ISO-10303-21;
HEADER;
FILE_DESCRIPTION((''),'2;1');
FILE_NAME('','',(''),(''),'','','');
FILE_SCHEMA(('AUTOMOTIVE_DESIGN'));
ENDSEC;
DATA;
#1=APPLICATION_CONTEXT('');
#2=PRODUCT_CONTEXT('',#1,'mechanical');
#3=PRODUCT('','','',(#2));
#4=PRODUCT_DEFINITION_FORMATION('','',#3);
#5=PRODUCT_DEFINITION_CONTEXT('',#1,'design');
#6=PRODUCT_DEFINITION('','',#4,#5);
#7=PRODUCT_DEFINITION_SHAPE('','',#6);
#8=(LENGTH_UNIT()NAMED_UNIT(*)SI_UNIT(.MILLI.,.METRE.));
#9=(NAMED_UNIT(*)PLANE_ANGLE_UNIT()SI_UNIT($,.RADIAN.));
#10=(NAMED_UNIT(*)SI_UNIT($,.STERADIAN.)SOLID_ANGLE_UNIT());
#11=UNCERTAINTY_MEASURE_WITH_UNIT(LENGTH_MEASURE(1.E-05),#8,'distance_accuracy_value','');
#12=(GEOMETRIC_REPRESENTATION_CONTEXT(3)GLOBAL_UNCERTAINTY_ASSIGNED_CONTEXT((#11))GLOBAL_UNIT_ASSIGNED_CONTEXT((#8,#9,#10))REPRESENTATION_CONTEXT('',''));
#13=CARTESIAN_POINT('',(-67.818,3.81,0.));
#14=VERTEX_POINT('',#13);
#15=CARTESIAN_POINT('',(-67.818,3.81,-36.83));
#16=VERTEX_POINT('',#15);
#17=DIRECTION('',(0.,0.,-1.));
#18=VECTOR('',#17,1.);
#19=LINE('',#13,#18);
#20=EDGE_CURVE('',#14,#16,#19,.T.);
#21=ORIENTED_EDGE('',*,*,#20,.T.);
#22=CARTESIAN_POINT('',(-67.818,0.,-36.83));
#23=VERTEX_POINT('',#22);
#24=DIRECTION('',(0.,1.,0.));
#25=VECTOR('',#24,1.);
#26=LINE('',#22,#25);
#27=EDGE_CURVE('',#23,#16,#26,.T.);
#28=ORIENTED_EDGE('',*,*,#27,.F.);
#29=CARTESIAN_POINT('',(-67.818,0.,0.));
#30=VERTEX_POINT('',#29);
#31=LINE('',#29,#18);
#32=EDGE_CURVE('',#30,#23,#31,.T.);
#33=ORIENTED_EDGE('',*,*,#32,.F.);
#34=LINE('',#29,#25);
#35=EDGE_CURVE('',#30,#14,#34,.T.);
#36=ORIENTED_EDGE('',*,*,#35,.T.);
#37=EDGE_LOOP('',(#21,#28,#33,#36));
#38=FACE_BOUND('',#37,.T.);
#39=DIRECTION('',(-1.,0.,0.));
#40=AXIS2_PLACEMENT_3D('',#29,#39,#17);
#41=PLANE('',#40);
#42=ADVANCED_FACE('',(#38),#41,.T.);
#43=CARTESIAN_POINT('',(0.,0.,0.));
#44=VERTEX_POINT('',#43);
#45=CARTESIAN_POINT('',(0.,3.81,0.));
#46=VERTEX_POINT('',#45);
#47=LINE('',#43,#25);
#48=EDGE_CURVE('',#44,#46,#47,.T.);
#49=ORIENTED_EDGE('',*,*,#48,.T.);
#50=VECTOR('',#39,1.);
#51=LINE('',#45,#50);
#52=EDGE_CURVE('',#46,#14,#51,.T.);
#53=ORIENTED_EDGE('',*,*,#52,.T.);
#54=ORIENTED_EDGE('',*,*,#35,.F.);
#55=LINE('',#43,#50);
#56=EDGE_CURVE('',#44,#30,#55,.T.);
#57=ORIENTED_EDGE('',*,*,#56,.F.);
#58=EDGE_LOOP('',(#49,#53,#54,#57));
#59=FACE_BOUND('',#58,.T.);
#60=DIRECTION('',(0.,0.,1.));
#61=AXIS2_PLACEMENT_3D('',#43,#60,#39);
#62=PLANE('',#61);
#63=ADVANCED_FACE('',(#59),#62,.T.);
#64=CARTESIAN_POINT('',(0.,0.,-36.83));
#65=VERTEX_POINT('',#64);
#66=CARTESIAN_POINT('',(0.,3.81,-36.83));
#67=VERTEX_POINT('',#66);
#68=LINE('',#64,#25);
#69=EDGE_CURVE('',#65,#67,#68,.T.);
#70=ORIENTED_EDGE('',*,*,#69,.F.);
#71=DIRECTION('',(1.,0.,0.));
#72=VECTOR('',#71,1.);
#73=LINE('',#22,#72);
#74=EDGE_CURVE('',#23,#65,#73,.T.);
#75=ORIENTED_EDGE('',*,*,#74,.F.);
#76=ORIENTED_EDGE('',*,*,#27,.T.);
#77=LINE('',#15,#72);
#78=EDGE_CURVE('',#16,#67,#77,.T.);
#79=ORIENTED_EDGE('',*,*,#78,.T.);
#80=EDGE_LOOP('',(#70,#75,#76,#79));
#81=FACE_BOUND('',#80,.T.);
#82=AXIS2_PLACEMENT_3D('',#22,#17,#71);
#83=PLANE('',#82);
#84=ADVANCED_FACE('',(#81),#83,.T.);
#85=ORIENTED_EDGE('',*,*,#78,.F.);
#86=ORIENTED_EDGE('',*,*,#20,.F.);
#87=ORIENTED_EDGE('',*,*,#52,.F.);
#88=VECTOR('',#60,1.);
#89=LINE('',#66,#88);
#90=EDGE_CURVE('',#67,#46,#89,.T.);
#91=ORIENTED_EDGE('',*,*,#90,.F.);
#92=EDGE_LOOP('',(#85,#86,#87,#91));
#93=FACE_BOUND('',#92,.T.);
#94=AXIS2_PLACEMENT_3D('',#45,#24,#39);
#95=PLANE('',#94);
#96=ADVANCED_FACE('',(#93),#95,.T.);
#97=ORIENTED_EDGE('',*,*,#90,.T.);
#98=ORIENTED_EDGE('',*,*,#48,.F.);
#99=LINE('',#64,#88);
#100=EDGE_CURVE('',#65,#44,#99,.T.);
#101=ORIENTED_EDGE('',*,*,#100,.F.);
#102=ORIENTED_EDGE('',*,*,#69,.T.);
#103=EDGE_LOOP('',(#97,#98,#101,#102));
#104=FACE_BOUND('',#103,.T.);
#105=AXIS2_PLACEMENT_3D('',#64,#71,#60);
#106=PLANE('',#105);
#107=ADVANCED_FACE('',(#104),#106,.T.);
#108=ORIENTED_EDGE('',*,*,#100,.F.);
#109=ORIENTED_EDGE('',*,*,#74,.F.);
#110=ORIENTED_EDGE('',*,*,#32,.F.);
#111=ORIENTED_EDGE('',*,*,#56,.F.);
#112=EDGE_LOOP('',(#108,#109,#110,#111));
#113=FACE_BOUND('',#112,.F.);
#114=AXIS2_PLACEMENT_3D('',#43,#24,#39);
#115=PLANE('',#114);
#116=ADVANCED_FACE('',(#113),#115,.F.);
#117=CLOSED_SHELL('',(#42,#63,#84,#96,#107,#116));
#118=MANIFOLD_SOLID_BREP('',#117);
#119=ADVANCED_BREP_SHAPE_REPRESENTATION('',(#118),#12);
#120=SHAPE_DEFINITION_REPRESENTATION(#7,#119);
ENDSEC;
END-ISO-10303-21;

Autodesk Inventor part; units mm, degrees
ref_plane "YZ Plane" through (0, 0, 0) normal (1, 0, 0) x (0, 1, 0)
ref_plane "XZ Plane" through (0, 0, 0) normal (0, 1, 0) x (-1, 0, 0)
ref_plane "XY Plane" through (0, 0, 0) normal (0, 0, 1) x (1, 0, 0)
sketch "Sketch1" plane through (0, 0, 0) normal (0, 1, 0) x (-1, 0, 0)
  line L0 (0, 0) -> (67.818, 0)
  line L1 (67.818, 0) -> (67.818, -36.83)
  line L2 (67.818, -36.83) -> (0, -36.83)
  line L3 (0, -36.83) -> (0, 0)
  dimension "d0" = 67.818
  dimension "d1" = 36.83
extrude "Extrusion1" add sketch "Sketch1" along normal blind 3.81
properties part number "solar_panel" material "PVC-Piping"
